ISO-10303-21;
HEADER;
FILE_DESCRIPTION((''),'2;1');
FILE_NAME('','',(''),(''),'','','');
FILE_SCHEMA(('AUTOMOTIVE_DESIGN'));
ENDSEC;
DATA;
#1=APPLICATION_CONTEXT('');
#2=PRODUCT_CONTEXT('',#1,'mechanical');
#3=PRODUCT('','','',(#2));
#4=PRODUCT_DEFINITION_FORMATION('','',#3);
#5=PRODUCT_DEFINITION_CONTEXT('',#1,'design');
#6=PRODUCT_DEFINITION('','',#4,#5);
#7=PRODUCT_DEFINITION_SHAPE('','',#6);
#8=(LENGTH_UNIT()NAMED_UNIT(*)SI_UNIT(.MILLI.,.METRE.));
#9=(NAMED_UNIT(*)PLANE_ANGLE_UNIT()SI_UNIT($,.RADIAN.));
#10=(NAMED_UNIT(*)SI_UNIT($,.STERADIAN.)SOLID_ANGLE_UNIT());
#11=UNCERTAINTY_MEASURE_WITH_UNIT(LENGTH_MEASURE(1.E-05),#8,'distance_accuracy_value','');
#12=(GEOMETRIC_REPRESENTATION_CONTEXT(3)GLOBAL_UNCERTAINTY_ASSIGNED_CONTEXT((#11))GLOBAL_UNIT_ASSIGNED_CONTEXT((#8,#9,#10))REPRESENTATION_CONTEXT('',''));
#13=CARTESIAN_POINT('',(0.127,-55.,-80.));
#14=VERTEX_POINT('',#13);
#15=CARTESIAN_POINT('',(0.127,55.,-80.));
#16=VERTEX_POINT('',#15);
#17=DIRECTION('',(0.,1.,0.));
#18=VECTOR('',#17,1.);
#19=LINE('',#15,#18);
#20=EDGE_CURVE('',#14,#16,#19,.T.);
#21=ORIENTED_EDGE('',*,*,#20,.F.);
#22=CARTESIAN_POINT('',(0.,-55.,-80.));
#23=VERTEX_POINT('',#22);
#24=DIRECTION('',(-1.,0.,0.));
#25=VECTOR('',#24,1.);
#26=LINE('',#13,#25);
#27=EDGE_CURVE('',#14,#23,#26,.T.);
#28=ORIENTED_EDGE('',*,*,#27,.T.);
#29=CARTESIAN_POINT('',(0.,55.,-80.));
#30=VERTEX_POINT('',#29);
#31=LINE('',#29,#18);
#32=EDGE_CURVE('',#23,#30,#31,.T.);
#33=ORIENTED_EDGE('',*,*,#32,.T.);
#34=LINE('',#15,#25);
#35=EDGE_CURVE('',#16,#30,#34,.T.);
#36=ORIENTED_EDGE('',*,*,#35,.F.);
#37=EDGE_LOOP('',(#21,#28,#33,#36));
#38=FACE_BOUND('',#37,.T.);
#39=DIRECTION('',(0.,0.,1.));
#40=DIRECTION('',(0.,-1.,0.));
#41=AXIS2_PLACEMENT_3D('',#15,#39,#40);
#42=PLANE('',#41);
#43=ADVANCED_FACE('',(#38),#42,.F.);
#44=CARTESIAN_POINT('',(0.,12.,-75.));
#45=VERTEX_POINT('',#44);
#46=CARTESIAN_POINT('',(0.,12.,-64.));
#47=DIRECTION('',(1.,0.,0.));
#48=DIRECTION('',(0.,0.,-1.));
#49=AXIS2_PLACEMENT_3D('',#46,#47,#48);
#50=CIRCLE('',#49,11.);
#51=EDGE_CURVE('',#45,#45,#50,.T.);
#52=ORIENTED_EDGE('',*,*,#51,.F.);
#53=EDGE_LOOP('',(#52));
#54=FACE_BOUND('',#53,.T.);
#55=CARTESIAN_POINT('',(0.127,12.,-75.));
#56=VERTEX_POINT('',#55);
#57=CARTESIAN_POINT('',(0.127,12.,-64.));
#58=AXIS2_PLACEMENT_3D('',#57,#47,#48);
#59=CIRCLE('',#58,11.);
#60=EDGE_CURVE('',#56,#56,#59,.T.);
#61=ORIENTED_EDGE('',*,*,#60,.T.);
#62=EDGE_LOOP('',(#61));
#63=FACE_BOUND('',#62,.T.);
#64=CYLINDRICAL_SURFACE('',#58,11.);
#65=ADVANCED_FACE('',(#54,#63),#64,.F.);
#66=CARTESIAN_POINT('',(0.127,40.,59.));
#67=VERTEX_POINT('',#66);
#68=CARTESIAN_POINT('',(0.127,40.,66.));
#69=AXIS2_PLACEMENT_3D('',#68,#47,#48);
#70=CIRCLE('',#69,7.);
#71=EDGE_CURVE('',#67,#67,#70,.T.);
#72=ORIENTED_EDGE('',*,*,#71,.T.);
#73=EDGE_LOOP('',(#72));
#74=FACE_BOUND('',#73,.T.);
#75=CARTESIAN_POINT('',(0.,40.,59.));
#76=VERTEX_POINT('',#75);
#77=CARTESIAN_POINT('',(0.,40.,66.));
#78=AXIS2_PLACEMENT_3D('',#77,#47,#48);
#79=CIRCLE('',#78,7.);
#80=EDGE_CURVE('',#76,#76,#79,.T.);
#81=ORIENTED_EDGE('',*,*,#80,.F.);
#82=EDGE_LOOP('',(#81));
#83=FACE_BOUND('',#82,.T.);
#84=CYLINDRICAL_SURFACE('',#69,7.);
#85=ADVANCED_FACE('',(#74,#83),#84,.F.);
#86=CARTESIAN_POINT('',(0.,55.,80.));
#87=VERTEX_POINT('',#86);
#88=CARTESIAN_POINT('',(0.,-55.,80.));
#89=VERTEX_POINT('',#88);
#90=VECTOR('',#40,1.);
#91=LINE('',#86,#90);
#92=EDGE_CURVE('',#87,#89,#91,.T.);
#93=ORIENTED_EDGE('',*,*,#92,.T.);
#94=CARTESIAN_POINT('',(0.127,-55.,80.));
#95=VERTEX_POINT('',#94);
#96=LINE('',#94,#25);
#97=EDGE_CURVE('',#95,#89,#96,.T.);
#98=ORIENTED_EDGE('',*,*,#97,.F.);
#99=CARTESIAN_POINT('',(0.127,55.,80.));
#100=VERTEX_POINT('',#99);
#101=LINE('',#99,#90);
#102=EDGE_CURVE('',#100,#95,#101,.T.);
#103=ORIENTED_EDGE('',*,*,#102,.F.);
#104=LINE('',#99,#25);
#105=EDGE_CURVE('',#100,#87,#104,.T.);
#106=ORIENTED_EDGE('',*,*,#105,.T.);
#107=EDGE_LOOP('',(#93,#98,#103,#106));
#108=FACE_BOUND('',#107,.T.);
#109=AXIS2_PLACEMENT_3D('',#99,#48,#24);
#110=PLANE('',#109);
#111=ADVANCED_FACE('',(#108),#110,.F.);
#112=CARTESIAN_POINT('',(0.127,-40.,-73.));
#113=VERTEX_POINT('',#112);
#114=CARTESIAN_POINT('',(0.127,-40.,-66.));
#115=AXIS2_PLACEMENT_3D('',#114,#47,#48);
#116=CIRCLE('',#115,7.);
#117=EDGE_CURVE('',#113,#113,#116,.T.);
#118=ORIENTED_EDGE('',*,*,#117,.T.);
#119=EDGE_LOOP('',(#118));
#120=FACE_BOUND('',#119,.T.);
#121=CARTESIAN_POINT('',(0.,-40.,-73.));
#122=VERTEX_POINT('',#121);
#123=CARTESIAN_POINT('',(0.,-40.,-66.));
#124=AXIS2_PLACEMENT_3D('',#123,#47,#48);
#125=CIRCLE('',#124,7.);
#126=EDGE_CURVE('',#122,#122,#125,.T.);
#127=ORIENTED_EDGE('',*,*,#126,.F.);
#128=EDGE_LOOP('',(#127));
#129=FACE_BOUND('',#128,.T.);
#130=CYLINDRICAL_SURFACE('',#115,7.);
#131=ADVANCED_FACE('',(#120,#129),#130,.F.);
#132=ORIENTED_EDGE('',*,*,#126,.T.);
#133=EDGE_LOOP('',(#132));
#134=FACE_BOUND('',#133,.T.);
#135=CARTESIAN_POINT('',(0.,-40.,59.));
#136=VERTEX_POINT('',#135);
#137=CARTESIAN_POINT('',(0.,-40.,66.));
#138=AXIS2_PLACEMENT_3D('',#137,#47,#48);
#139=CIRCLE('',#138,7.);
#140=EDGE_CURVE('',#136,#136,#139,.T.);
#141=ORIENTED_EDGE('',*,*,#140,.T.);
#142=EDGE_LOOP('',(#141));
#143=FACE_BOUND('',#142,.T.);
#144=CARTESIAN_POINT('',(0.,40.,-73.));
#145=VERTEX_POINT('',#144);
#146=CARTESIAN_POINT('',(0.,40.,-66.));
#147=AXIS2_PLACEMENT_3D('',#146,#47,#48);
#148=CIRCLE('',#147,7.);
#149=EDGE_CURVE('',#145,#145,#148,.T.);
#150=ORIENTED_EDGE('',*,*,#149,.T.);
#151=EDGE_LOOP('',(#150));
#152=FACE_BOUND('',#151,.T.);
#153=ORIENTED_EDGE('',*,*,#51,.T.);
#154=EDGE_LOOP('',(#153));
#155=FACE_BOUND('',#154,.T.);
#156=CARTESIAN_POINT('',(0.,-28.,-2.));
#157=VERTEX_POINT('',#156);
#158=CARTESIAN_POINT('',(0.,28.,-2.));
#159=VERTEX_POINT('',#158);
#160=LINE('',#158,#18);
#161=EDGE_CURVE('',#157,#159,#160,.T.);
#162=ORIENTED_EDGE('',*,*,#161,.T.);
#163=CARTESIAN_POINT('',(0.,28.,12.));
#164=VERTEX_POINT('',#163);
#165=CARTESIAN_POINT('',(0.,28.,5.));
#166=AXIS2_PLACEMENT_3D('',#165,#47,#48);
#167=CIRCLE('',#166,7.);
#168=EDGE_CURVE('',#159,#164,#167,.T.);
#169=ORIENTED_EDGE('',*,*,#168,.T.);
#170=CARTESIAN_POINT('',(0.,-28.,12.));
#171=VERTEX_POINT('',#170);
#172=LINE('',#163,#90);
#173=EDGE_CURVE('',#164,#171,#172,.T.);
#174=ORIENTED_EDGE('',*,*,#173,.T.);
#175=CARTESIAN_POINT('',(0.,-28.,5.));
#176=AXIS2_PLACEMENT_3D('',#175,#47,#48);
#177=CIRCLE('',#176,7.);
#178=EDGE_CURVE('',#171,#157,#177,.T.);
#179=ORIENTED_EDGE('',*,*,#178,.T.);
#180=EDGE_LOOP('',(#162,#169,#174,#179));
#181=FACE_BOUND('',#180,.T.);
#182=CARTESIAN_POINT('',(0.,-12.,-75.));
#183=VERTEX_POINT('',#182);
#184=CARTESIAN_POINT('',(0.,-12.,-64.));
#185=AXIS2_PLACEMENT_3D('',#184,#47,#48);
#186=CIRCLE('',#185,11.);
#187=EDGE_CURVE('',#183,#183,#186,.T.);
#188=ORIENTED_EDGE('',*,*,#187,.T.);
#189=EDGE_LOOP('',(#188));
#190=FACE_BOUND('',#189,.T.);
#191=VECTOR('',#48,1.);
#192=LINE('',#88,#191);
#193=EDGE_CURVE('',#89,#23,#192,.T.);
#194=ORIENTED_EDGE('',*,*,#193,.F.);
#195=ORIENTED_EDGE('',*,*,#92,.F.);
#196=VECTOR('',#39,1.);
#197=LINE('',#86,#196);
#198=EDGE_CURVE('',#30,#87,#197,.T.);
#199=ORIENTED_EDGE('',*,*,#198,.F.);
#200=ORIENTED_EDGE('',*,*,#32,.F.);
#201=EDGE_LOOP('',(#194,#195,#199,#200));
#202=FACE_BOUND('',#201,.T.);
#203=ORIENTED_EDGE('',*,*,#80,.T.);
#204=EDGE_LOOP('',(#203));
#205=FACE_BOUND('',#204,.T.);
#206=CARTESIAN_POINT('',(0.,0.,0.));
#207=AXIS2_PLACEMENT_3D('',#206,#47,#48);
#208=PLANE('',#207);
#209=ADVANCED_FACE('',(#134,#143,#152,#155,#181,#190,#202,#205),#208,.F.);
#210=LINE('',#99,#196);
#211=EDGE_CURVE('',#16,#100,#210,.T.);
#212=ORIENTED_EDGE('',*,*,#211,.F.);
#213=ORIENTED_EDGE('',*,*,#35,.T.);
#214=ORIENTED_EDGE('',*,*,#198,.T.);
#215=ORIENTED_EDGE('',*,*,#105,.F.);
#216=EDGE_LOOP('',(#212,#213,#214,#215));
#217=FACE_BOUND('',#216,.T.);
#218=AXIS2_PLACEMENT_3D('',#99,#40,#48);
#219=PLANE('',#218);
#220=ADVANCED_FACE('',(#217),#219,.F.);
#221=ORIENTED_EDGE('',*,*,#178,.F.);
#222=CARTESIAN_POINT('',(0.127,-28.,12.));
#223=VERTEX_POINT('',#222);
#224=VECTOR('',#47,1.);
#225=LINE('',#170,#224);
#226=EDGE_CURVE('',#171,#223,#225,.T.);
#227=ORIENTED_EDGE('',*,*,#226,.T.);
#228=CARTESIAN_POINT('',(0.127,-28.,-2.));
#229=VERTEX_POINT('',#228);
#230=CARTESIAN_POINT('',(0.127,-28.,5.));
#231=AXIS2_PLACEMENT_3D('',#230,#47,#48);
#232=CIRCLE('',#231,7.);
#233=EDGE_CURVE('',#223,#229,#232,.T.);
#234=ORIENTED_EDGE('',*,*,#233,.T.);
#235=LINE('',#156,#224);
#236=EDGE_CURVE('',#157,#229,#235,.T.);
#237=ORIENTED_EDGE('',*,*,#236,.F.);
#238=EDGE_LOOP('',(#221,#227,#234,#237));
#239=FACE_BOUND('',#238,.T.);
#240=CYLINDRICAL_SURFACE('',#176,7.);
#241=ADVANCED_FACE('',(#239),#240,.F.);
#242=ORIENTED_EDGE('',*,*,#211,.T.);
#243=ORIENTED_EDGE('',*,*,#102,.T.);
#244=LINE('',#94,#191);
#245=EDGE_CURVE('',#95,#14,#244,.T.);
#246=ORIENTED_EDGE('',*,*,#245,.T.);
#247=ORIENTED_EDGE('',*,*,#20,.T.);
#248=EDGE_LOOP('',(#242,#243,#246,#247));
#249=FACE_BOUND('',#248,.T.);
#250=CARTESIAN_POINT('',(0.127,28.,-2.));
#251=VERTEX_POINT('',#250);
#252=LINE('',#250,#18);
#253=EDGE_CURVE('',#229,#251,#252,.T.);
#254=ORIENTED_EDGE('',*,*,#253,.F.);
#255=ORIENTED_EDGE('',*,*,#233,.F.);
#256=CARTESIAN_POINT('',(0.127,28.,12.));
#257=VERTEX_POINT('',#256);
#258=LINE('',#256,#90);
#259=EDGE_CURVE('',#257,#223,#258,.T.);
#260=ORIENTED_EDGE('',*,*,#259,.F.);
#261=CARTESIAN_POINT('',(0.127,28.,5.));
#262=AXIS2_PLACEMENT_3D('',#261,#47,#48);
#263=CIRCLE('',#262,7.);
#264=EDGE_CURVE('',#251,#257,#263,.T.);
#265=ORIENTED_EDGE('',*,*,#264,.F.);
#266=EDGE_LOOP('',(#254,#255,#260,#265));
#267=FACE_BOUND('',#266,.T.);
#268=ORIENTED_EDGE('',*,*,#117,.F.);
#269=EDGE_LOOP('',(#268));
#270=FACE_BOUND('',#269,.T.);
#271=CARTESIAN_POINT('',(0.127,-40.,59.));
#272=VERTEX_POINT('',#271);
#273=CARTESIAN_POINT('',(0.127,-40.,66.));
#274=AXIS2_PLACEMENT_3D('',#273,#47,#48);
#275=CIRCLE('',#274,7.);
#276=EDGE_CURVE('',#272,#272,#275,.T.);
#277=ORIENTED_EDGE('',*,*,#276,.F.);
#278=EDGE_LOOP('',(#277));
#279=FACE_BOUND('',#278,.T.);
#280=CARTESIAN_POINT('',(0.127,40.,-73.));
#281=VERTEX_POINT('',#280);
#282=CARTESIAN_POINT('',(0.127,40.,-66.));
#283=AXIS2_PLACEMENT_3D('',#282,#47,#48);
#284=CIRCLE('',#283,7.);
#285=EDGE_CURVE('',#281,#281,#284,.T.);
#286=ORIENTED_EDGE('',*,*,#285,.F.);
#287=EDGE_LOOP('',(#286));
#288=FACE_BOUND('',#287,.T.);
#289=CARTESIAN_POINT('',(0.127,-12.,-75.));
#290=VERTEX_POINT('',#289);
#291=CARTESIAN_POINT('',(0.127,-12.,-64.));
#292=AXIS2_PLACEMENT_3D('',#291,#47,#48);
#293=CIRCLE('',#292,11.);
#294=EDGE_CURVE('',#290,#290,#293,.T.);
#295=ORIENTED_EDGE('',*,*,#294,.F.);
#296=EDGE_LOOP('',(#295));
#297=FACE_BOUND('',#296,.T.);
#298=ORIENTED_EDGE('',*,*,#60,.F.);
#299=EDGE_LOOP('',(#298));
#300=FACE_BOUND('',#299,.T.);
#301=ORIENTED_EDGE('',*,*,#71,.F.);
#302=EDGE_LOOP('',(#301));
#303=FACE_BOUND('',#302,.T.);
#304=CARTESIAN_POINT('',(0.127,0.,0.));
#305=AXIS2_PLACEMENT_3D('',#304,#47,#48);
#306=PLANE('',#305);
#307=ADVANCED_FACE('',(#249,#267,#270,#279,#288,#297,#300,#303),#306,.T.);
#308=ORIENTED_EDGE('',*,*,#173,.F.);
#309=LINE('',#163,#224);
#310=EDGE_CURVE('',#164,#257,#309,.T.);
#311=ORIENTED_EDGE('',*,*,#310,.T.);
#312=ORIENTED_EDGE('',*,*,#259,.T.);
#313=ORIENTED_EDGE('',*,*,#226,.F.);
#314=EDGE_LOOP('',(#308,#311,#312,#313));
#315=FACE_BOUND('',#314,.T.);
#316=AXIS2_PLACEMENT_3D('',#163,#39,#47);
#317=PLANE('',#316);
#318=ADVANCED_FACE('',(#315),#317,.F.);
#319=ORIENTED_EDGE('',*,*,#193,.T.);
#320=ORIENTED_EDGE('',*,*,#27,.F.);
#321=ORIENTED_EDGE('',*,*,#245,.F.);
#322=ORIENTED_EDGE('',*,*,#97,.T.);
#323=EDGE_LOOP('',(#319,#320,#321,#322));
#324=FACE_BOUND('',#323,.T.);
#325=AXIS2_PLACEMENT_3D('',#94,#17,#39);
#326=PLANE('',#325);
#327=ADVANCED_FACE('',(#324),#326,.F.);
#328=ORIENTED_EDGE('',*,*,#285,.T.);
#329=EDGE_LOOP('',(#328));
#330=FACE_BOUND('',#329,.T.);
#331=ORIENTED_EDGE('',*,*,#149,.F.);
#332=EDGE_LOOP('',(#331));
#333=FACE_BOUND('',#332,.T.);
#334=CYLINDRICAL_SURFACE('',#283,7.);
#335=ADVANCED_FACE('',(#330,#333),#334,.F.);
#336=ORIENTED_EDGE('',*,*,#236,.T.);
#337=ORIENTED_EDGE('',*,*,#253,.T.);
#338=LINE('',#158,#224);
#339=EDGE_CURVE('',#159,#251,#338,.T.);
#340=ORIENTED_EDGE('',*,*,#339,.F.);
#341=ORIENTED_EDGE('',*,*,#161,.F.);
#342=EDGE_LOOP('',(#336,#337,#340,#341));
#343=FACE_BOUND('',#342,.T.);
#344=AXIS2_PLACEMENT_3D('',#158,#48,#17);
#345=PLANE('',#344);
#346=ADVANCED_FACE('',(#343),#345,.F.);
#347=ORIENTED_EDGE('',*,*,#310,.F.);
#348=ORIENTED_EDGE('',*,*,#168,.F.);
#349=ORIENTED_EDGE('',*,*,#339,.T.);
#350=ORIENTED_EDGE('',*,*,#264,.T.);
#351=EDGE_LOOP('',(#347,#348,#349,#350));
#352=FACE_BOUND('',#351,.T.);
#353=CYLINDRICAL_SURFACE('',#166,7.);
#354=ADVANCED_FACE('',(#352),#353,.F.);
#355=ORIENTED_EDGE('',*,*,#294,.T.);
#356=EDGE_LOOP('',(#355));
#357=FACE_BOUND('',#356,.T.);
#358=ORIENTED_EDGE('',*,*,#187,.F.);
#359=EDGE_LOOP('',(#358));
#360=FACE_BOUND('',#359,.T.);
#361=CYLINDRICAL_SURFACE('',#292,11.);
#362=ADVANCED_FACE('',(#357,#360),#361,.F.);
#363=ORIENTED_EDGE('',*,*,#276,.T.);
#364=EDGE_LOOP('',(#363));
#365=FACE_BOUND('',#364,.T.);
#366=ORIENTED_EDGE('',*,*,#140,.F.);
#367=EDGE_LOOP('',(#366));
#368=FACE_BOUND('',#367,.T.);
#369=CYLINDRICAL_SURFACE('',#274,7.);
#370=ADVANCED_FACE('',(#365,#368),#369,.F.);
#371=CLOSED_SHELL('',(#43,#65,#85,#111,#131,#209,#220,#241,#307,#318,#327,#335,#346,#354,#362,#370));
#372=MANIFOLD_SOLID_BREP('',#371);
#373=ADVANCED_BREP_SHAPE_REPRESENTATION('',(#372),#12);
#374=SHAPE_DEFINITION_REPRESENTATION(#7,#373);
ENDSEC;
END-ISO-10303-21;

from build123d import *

# Parameters (mm, degrees)
SKETCH1_W             = 160
SKETCH1_H             = 110
BOSS_EXTRUDE1_DEPTH   = 0.127
M12_CLEARANCE_HOLE1_D = 14
CUT_EXTRUDE1_DEPTH    = 98.082522263
M20_CLEARANCE_HOLE1_D = 22


with BuildPart() as part:
    # Sketch1 → Boss-Extrude1 (new body)
    with BuildSketch(Plane(origin=(0, 0, 0), x_dir=(0, 0, -1), z_dir=(1, 0, 0))):
        Rectangle(SKETCH1_W, SKETCH1_H)
    extrude(amount=BOSS_EXTRUDE1_DEPTH)

    # M12 Clearance Hole1 (through all)
    with Locations(Plane(origin=(0.127, 0, 0), x_dir=(0, 0, -1), z_dir=(1, 0, 0))):
        with Locations((-66, 40), (66, 40), (66, -40), (-66, -40)):
            Hole(M12_CLEARANCE_HOLE1_D / 2)

    # Sketch4 → Cut-Extrude1 (cut, through all)
    with BuildSketch(Plane(origin=(0.127, 0, 0), x_dir=(0, 0, -1), z_dir=(1, 0, 0))):
        with BuildLine():
            Line((2, 28), (2, -28))
            ThreePointArc((2, -28), (-5, -35), (-12, -28))
            Line((-12, -28), (-12, 28))
            ThreePointArc((-12, 28), (-5, 35), (2, 28))
        make_face()
    extrude(amount=-CUT_EXTRUDE1_DEPTH, mode=Mode.SUBTRACT)

    # M20 Clearance Hole1 (through all)
    with Locations(Plane(origin=(0.127, 0, 0), x_dir=(0, 0, -1), z_dir=(1, 0, 0))):
        with Locations((64, 12), (64, -12)):
            Hole(M20_CLEARANCE_HOLE1_D / 2)


solid = part.part
